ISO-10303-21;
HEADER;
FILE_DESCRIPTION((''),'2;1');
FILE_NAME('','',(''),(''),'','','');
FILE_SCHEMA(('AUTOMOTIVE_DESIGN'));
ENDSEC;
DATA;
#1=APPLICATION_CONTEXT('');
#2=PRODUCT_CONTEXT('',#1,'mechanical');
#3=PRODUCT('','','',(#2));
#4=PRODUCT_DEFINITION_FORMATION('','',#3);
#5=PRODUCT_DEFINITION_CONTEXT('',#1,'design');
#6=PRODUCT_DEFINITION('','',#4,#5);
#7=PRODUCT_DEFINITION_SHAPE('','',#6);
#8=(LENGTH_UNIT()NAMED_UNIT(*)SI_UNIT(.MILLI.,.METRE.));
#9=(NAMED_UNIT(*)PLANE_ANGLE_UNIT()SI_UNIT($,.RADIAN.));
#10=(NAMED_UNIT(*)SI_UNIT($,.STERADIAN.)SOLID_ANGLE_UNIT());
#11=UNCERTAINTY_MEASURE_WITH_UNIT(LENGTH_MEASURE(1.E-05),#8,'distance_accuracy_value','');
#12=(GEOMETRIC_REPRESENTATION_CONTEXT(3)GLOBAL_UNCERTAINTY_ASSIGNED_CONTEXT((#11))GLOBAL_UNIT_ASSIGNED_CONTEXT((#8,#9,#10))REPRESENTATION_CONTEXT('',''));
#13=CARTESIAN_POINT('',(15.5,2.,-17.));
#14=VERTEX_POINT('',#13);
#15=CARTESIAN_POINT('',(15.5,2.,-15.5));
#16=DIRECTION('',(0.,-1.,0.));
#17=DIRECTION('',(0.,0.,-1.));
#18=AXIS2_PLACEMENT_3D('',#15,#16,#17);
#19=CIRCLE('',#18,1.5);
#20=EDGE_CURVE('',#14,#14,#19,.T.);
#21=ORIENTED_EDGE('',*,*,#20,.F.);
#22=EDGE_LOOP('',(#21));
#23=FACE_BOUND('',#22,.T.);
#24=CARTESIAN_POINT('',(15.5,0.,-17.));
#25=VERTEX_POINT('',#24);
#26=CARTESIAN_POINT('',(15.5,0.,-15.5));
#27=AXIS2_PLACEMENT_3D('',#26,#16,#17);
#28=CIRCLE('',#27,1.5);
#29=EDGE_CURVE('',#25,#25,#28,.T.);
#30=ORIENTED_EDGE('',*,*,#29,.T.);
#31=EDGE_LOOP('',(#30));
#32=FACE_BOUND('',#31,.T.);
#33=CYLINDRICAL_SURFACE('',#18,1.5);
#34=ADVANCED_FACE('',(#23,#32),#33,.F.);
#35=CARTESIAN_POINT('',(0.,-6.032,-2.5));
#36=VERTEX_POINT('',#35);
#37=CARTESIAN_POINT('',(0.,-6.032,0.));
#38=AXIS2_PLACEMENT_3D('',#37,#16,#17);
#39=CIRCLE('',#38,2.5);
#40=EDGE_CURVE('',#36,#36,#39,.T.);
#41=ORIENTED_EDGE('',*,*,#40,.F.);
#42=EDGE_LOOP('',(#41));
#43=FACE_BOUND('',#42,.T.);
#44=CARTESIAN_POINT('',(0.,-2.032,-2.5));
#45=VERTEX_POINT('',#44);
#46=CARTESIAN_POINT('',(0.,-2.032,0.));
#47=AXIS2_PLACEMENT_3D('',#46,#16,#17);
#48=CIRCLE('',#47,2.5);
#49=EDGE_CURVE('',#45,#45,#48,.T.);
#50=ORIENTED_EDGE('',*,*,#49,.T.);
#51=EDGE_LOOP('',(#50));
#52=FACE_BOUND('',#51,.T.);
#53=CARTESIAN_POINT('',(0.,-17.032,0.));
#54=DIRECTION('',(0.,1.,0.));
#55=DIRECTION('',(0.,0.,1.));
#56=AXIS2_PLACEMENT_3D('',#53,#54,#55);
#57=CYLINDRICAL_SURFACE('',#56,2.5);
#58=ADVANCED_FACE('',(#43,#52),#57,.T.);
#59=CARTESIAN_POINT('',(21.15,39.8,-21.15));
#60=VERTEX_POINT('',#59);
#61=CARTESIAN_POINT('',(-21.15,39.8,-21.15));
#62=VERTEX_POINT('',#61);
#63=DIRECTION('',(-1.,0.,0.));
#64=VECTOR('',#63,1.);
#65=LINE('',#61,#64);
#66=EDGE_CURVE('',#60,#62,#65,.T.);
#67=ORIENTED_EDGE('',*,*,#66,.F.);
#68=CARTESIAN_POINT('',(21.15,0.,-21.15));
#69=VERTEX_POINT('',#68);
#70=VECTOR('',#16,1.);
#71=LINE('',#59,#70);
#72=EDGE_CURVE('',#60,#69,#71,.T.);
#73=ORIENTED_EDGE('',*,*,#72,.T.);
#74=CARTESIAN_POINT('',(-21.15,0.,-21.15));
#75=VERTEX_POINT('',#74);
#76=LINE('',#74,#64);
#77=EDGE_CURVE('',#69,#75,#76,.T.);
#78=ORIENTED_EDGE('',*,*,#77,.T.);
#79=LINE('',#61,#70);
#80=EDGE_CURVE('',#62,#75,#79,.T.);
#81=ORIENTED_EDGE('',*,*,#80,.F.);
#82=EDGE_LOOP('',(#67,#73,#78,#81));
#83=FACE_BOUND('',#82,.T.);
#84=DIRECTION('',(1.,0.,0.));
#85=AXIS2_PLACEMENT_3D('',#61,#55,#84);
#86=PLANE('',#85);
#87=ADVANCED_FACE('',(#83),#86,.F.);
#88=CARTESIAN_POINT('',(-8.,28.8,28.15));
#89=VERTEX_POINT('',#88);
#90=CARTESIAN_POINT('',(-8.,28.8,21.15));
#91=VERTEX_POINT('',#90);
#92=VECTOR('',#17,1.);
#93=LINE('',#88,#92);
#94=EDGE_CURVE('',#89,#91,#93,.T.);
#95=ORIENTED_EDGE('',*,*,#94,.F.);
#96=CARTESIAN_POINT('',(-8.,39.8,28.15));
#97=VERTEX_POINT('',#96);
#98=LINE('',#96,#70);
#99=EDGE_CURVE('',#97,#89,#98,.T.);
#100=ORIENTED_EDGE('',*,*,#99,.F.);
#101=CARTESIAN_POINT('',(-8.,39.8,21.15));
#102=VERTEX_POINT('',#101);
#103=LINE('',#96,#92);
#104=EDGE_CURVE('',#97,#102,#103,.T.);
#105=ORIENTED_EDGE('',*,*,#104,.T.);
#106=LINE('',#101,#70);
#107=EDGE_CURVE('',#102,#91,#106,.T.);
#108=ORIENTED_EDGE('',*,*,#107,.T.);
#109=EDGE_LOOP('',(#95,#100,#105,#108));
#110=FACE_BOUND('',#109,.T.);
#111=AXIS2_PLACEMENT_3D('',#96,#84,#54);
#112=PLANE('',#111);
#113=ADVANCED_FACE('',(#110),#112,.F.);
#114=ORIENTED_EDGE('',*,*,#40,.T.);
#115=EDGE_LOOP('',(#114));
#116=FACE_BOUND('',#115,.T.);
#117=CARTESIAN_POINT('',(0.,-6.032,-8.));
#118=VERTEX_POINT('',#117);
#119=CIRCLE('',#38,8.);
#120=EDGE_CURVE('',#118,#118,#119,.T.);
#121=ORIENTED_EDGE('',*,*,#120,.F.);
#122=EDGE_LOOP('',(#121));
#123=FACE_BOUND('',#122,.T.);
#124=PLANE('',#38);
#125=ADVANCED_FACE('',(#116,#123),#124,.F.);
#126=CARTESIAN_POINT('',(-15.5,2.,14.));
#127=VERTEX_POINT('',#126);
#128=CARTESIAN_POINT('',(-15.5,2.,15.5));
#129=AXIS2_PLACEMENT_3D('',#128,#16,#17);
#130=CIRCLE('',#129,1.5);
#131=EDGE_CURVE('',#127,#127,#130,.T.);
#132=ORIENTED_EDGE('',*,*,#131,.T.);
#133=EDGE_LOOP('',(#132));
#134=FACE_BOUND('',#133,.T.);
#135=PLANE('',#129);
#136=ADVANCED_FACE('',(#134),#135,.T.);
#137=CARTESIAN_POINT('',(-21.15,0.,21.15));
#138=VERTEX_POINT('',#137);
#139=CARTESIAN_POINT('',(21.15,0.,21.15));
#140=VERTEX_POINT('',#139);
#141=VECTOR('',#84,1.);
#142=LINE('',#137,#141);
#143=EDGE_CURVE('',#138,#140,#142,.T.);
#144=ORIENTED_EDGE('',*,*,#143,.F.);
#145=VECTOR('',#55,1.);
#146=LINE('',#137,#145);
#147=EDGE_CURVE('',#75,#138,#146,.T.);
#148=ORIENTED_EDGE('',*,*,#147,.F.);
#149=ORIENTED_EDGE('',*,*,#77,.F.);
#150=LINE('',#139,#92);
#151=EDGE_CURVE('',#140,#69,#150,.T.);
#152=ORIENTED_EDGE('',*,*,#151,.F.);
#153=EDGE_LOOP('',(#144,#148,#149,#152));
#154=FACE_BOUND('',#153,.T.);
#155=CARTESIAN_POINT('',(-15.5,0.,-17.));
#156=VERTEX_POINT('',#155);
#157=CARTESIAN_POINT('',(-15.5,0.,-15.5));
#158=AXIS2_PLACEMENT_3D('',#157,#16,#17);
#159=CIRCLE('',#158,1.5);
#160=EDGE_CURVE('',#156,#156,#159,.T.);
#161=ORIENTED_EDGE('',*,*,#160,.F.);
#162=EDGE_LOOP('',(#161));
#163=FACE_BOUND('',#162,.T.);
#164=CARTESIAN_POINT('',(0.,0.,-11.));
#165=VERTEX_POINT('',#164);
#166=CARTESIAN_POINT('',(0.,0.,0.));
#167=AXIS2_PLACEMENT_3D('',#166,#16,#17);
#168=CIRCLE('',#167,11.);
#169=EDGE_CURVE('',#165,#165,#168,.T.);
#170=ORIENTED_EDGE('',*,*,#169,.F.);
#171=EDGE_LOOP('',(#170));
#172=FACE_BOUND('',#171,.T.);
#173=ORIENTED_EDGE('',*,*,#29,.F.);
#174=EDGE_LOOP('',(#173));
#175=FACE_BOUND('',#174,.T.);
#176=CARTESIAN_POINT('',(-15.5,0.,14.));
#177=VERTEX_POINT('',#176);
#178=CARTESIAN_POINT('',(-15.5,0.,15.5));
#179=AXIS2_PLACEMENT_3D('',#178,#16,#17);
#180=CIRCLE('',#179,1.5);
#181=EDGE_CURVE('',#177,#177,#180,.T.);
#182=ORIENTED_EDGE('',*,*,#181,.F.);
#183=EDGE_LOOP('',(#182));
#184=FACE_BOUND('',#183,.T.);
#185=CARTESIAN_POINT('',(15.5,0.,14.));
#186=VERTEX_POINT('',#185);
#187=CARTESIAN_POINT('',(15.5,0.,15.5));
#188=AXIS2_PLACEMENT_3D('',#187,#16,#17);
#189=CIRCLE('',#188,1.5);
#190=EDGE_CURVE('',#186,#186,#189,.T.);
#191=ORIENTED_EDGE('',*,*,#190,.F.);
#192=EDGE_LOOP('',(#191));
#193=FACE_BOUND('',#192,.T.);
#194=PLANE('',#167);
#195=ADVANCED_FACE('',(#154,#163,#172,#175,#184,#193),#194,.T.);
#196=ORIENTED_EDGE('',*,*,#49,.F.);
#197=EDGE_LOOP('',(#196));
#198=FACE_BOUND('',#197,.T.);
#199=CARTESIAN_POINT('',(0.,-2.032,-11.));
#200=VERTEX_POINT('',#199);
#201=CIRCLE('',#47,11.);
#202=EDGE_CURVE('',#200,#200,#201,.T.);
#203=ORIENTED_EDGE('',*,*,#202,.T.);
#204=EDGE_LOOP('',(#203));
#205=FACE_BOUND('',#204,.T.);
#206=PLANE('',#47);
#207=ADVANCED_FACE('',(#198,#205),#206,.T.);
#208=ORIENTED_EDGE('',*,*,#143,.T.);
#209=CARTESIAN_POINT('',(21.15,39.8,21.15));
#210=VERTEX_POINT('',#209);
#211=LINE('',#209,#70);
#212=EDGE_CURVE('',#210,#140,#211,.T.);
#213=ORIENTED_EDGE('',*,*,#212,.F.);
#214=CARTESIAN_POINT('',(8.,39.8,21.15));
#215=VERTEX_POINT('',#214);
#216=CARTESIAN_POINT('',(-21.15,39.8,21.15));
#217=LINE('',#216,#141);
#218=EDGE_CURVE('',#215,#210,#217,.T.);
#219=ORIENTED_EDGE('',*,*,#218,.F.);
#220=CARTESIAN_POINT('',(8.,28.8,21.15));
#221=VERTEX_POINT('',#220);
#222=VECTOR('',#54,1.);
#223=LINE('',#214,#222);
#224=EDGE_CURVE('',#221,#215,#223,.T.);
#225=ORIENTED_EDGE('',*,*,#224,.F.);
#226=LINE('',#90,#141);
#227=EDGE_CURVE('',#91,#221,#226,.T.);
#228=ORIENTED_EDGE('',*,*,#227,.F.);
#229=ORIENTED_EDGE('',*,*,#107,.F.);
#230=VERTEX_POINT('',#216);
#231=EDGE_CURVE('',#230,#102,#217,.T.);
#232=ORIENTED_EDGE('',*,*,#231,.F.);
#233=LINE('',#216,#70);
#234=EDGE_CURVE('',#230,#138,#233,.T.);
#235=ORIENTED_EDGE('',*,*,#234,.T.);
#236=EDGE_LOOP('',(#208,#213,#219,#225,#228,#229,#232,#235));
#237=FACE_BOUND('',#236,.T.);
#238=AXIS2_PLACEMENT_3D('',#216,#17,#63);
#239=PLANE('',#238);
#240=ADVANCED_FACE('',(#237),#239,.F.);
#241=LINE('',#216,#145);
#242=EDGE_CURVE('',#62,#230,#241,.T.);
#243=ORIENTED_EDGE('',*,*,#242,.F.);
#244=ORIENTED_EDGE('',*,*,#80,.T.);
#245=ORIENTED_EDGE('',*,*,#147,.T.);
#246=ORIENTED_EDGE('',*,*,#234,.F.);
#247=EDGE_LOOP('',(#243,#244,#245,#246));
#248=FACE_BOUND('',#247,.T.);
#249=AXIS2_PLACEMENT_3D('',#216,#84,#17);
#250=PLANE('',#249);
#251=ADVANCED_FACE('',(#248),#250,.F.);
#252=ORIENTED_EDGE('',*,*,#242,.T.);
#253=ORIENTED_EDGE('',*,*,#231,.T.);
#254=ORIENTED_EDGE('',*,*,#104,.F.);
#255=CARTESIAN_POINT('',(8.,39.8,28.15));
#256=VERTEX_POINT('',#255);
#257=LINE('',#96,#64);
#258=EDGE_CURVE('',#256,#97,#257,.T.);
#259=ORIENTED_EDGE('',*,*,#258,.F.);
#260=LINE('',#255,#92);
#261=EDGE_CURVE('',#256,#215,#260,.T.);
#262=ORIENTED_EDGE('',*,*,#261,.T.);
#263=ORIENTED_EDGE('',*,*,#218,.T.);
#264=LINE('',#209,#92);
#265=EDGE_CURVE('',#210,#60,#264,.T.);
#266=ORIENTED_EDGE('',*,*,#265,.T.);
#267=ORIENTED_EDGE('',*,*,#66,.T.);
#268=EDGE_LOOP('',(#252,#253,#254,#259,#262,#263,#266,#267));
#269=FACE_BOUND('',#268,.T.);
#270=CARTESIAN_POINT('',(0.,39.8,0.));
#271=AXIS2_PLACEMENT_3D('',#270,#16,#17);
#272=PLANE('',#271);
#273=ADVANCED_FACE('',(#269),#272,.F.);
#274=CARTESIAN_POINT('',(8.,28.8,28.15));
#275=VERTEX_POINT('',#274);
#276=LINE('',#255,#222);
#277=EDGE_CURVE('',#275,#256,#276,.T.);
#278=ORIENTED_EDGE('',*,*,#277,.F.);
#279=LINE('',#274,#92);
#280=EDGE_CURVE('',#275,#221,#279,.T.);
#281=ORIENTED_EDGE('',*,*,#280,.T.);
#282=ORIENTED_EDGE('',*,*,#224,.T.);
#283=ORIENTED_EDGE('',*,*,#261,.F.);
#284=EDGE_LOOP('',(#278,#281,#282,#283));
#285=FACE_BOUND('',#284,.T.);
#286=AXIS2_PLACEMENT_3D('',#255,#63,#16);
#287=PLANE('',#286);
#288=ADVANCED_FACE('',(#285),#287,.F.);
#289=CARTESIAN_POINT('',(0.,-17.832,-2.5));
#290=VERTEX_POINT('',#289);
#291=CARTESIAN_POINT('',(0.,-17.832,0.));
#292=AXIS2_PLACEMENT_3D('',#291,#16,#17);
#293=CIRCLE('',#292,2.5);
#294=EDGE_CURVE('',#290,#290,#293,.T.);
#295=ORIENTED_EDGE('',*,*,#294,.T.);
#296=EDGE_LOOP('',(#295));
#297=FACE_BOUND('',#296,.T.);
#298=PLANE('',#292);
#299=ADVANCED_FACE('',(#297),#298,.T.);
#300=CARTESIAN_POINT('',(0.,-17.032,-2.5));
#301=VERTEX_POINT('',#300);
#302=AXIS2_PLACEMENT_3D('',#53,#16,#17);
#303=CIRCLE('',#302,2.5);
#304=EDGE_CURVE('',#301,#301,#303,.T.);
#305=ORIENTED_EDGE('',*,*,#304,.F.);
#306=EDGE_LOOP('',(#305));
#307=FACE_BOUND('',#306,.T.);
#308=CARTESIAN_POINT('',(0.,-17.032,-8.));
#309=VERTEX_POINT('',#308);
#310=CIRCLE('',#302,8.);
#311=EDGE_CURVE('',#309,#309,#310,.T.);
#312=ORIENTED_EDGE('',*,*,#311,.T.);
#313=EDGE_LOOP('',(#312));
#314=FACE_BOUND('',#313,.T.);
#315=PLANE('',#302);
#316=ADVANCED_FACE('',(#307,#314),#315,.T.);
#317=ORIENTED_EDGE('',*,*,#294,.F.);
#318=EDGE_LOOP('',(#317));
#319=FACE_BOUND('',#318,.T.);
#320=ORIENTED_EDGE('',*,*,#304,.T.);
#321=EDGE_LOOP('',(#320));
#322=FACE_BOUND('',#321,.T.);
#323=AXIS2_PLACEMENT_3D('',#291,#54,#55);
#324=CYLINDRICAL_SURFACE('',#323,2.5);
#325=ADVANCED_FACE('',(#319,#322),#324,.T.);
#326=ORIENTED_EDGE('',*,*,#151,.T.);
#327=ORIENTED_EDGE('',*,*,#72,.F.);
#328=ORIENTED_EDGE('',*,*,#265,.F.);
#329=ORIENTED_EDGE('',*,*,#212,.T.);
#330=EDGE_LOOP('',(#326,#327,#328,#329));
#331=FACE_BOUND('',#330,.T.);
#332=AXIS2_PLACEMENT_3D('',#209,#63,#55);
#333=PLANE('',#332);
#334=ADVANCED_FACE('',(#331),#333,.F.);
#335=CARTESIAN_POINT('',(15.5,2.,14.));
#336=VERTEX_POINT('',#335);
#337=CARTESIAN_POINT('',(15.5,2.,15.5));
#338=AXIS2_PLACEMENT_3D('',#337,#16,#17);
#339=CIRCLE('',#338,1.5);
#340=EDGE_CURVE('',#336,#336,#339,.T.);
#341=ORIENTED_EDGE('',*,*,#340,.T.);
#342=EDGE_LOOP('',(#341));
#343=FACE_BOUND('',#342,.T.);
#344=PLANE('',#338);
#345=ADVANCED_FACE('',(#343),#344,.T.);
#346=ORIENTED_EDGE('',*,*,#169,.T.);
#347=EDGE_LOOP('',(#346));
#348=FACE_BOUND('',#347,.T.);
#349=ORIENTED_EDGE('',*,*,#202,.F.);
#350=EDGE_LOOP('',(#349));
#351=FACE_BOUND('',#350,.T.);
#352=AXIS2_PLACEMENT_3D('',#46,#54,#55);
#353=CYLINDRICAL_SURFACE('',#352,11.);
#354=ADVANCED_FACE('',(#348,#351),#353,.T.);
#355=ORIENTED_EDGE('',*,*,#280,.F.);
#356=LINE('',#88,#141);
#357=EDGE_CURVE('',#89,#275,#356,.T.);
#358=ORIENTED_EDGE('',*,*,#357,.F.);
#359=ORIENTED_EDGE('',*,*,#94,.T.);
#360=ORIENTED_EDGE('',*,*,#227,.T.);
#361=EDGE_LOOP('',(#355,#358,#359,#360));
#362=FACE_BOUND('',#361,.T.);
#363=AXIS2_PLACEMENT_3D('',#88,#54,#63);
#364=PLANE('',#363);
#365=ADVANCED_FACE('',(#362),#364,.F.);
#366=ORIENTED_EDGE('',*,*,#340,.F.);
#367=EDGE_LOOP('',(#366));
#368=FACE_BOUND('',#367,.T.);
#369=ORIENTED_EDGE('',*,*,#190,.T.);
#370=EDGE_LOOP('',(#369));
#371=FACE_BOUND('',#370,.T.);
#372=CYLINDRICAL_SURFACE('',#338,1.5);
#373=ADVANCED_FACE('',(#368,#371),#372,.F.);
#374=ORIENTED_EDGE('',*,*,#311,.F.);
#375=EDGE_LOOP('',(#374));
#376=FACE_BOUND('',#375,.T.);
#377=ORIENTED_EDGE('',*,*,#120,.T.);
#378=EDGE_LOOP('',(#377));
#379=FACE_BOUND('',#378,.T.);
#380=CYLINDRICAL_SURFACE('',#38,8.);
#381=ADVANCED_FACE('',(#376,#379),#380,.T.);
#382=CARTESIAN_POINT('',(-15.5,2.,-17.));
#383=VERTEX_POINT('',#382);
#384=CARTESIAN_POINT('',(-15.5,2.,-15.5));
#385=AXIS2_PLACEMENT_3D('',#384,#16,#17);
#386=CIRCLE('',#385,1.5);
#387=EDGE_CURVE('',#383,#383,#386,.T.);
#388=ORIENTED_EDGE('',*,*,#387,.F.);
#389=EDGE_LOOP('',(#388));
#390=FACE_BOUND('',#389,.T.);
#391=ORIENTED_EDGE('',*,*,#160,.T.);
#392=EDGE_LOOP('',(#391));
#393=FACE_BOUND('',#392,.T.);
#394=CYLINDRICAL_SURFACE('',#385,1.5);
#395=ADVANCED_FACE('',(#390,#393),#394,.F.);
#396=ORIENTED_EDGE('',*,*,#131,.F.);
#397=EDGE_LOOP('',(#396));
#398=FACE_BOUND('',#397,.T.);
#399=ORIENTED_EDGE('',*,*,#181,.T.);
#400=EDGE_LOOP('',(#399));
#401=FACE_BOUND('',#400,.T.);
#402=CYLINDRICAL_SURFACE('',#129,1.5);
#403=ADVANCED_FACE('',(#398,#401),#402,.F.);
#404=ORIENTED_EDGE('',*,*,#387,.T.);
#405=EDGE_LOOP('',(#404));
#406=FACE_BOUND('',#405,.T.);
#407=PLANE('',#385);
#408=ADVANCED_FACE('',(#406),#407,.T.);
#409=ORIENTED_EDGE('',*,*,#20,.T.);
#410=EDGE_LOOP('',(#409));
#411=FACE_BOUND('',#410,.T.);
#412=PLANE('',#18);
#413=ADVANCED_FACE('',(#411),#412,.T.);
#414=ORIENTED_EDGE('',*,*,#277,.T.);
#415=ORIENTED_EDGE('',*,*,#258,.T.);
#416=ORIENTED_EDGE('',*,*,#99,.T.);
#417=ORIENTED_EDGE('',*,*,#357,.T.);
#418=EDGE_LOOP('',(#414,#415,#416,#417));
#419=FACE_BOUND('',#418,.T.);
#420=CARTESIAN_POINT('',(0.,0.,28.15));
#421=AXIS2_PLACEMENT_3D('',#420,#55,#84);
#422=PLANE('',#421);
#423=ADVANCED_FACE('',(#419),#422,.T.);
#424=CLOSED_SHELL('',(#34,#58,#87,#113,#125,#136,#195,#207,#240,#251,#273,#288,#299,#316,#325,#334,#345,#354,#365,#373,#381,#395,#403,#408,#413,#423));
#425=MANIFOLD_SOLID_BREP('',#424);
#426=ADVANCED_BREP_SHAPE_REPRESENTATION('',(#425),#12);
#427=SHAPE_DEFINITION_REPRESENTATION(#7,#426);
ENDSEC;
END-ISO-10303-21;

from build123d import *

# Parameters (mm, degrees)
SKETCH2_W           = 42.3
SKETCH2_H           = 42.3
BOSS_EXTRUDE2_DEPTH = 39.8
SKETCH4_R           = 11
BOSS_EXTRUDE3_DEPTH = 2.032
SKETCH6_R           = 1.5
CUT_EXTRUDE1_DEPTH  = 2
SKETCH7_W           = 16
SKETCH7_H           = 11
BOSS_EXTRUDE4_DEPTH = 7
SKETCH9_R           = 2.5
BOSS_EXTRUDE5_DEPTH = 15
BOSS_EXTRUDE7_START = -11
SKETCH11_R          = 8
SKETCH11_R_2        = 2.5
BOSS_EXTRUDE7_DEPTH = 11
SKETCH13_R          = 2.5
BOSS_EXTRUDE8_DEPTH = 0.8


with BuildPart() as part:
    # Sketch2 → Boss-Extrude2 (new body)
    with BuildSketch(Plane(origin=(0, 0, 0), x_dir=(1, 0, 0), z_dir=(0, 1, 0))):
        Rectangle(SKETCH2_W, SKETCH2_H)
    extrude(amount=BOSS_EXTRUDE2_DEPTH)

    # Sketch4 → Boss-Extrude3 (add)
    with BuildSketch(Plane.XZ):
        Circle(SKETCH4_R)
    extrude(amount=BOSS_EXTRUDE3_DEPTH)

    # Sketch6 → Cut-Extrude1 (cut)
    with BuildSketch(Plane.XZ):
        with Locations((15.5, 15.5)):
            Circle(SKETCH6_R)
        with Locations((-15.5, 15.5)):
            Circle(SKETCH6_R)
        with Locations((-15.5, -15.5)):
            Circle(SKETCH6_R)
        with Locations((15.5, -15.5)):
            Circle(SKETCH6_R)
    extrude(amount=-CUT_EXTRUDE1_DEPTH, mode=Mode.SUBTRACT)

    # Sketch7 → Boss-Extrude4 (add)
    with BuildSketch(Plane.XY.offset(21.15)):
        with Locations((0, 34.3)):
            Rectangle(SKETCH7_W, SKETCH7_H)
    extrude(amount=BOSS_EXTRUDE4_DEPTH)

    # Sketch9 → Boss-Extrude5 (add)
    with BuildSketch(Plane.XZ.offset(2.032)):
        Circle(SKETCH9_R)
    extrude(amount=BOSS_EXTRUDE5_DEPTH)

    # Sketch11 → Boss-Extrude7 (add)
    with BuildSketch(Plane.XZ.offset(17.032).offset(BOSS_EXTRUDE7_START)):
        Circle(SKETCH11_R)
        Circle(SKETCH11_R_2, mode=Mode.SUBTRACT)
    extrude(amount=BOSS_EXTRUDE7_DEPTH)

    # Sketch13 → Boss-Extrude8 (add)
    with BuildSketch(Plane.XZ.offset(17.032)):
        Circle(SKETCH13_R)
    extrude(amount=BOSS_EXTRUDE8_DEPTH)


solid = part.part
